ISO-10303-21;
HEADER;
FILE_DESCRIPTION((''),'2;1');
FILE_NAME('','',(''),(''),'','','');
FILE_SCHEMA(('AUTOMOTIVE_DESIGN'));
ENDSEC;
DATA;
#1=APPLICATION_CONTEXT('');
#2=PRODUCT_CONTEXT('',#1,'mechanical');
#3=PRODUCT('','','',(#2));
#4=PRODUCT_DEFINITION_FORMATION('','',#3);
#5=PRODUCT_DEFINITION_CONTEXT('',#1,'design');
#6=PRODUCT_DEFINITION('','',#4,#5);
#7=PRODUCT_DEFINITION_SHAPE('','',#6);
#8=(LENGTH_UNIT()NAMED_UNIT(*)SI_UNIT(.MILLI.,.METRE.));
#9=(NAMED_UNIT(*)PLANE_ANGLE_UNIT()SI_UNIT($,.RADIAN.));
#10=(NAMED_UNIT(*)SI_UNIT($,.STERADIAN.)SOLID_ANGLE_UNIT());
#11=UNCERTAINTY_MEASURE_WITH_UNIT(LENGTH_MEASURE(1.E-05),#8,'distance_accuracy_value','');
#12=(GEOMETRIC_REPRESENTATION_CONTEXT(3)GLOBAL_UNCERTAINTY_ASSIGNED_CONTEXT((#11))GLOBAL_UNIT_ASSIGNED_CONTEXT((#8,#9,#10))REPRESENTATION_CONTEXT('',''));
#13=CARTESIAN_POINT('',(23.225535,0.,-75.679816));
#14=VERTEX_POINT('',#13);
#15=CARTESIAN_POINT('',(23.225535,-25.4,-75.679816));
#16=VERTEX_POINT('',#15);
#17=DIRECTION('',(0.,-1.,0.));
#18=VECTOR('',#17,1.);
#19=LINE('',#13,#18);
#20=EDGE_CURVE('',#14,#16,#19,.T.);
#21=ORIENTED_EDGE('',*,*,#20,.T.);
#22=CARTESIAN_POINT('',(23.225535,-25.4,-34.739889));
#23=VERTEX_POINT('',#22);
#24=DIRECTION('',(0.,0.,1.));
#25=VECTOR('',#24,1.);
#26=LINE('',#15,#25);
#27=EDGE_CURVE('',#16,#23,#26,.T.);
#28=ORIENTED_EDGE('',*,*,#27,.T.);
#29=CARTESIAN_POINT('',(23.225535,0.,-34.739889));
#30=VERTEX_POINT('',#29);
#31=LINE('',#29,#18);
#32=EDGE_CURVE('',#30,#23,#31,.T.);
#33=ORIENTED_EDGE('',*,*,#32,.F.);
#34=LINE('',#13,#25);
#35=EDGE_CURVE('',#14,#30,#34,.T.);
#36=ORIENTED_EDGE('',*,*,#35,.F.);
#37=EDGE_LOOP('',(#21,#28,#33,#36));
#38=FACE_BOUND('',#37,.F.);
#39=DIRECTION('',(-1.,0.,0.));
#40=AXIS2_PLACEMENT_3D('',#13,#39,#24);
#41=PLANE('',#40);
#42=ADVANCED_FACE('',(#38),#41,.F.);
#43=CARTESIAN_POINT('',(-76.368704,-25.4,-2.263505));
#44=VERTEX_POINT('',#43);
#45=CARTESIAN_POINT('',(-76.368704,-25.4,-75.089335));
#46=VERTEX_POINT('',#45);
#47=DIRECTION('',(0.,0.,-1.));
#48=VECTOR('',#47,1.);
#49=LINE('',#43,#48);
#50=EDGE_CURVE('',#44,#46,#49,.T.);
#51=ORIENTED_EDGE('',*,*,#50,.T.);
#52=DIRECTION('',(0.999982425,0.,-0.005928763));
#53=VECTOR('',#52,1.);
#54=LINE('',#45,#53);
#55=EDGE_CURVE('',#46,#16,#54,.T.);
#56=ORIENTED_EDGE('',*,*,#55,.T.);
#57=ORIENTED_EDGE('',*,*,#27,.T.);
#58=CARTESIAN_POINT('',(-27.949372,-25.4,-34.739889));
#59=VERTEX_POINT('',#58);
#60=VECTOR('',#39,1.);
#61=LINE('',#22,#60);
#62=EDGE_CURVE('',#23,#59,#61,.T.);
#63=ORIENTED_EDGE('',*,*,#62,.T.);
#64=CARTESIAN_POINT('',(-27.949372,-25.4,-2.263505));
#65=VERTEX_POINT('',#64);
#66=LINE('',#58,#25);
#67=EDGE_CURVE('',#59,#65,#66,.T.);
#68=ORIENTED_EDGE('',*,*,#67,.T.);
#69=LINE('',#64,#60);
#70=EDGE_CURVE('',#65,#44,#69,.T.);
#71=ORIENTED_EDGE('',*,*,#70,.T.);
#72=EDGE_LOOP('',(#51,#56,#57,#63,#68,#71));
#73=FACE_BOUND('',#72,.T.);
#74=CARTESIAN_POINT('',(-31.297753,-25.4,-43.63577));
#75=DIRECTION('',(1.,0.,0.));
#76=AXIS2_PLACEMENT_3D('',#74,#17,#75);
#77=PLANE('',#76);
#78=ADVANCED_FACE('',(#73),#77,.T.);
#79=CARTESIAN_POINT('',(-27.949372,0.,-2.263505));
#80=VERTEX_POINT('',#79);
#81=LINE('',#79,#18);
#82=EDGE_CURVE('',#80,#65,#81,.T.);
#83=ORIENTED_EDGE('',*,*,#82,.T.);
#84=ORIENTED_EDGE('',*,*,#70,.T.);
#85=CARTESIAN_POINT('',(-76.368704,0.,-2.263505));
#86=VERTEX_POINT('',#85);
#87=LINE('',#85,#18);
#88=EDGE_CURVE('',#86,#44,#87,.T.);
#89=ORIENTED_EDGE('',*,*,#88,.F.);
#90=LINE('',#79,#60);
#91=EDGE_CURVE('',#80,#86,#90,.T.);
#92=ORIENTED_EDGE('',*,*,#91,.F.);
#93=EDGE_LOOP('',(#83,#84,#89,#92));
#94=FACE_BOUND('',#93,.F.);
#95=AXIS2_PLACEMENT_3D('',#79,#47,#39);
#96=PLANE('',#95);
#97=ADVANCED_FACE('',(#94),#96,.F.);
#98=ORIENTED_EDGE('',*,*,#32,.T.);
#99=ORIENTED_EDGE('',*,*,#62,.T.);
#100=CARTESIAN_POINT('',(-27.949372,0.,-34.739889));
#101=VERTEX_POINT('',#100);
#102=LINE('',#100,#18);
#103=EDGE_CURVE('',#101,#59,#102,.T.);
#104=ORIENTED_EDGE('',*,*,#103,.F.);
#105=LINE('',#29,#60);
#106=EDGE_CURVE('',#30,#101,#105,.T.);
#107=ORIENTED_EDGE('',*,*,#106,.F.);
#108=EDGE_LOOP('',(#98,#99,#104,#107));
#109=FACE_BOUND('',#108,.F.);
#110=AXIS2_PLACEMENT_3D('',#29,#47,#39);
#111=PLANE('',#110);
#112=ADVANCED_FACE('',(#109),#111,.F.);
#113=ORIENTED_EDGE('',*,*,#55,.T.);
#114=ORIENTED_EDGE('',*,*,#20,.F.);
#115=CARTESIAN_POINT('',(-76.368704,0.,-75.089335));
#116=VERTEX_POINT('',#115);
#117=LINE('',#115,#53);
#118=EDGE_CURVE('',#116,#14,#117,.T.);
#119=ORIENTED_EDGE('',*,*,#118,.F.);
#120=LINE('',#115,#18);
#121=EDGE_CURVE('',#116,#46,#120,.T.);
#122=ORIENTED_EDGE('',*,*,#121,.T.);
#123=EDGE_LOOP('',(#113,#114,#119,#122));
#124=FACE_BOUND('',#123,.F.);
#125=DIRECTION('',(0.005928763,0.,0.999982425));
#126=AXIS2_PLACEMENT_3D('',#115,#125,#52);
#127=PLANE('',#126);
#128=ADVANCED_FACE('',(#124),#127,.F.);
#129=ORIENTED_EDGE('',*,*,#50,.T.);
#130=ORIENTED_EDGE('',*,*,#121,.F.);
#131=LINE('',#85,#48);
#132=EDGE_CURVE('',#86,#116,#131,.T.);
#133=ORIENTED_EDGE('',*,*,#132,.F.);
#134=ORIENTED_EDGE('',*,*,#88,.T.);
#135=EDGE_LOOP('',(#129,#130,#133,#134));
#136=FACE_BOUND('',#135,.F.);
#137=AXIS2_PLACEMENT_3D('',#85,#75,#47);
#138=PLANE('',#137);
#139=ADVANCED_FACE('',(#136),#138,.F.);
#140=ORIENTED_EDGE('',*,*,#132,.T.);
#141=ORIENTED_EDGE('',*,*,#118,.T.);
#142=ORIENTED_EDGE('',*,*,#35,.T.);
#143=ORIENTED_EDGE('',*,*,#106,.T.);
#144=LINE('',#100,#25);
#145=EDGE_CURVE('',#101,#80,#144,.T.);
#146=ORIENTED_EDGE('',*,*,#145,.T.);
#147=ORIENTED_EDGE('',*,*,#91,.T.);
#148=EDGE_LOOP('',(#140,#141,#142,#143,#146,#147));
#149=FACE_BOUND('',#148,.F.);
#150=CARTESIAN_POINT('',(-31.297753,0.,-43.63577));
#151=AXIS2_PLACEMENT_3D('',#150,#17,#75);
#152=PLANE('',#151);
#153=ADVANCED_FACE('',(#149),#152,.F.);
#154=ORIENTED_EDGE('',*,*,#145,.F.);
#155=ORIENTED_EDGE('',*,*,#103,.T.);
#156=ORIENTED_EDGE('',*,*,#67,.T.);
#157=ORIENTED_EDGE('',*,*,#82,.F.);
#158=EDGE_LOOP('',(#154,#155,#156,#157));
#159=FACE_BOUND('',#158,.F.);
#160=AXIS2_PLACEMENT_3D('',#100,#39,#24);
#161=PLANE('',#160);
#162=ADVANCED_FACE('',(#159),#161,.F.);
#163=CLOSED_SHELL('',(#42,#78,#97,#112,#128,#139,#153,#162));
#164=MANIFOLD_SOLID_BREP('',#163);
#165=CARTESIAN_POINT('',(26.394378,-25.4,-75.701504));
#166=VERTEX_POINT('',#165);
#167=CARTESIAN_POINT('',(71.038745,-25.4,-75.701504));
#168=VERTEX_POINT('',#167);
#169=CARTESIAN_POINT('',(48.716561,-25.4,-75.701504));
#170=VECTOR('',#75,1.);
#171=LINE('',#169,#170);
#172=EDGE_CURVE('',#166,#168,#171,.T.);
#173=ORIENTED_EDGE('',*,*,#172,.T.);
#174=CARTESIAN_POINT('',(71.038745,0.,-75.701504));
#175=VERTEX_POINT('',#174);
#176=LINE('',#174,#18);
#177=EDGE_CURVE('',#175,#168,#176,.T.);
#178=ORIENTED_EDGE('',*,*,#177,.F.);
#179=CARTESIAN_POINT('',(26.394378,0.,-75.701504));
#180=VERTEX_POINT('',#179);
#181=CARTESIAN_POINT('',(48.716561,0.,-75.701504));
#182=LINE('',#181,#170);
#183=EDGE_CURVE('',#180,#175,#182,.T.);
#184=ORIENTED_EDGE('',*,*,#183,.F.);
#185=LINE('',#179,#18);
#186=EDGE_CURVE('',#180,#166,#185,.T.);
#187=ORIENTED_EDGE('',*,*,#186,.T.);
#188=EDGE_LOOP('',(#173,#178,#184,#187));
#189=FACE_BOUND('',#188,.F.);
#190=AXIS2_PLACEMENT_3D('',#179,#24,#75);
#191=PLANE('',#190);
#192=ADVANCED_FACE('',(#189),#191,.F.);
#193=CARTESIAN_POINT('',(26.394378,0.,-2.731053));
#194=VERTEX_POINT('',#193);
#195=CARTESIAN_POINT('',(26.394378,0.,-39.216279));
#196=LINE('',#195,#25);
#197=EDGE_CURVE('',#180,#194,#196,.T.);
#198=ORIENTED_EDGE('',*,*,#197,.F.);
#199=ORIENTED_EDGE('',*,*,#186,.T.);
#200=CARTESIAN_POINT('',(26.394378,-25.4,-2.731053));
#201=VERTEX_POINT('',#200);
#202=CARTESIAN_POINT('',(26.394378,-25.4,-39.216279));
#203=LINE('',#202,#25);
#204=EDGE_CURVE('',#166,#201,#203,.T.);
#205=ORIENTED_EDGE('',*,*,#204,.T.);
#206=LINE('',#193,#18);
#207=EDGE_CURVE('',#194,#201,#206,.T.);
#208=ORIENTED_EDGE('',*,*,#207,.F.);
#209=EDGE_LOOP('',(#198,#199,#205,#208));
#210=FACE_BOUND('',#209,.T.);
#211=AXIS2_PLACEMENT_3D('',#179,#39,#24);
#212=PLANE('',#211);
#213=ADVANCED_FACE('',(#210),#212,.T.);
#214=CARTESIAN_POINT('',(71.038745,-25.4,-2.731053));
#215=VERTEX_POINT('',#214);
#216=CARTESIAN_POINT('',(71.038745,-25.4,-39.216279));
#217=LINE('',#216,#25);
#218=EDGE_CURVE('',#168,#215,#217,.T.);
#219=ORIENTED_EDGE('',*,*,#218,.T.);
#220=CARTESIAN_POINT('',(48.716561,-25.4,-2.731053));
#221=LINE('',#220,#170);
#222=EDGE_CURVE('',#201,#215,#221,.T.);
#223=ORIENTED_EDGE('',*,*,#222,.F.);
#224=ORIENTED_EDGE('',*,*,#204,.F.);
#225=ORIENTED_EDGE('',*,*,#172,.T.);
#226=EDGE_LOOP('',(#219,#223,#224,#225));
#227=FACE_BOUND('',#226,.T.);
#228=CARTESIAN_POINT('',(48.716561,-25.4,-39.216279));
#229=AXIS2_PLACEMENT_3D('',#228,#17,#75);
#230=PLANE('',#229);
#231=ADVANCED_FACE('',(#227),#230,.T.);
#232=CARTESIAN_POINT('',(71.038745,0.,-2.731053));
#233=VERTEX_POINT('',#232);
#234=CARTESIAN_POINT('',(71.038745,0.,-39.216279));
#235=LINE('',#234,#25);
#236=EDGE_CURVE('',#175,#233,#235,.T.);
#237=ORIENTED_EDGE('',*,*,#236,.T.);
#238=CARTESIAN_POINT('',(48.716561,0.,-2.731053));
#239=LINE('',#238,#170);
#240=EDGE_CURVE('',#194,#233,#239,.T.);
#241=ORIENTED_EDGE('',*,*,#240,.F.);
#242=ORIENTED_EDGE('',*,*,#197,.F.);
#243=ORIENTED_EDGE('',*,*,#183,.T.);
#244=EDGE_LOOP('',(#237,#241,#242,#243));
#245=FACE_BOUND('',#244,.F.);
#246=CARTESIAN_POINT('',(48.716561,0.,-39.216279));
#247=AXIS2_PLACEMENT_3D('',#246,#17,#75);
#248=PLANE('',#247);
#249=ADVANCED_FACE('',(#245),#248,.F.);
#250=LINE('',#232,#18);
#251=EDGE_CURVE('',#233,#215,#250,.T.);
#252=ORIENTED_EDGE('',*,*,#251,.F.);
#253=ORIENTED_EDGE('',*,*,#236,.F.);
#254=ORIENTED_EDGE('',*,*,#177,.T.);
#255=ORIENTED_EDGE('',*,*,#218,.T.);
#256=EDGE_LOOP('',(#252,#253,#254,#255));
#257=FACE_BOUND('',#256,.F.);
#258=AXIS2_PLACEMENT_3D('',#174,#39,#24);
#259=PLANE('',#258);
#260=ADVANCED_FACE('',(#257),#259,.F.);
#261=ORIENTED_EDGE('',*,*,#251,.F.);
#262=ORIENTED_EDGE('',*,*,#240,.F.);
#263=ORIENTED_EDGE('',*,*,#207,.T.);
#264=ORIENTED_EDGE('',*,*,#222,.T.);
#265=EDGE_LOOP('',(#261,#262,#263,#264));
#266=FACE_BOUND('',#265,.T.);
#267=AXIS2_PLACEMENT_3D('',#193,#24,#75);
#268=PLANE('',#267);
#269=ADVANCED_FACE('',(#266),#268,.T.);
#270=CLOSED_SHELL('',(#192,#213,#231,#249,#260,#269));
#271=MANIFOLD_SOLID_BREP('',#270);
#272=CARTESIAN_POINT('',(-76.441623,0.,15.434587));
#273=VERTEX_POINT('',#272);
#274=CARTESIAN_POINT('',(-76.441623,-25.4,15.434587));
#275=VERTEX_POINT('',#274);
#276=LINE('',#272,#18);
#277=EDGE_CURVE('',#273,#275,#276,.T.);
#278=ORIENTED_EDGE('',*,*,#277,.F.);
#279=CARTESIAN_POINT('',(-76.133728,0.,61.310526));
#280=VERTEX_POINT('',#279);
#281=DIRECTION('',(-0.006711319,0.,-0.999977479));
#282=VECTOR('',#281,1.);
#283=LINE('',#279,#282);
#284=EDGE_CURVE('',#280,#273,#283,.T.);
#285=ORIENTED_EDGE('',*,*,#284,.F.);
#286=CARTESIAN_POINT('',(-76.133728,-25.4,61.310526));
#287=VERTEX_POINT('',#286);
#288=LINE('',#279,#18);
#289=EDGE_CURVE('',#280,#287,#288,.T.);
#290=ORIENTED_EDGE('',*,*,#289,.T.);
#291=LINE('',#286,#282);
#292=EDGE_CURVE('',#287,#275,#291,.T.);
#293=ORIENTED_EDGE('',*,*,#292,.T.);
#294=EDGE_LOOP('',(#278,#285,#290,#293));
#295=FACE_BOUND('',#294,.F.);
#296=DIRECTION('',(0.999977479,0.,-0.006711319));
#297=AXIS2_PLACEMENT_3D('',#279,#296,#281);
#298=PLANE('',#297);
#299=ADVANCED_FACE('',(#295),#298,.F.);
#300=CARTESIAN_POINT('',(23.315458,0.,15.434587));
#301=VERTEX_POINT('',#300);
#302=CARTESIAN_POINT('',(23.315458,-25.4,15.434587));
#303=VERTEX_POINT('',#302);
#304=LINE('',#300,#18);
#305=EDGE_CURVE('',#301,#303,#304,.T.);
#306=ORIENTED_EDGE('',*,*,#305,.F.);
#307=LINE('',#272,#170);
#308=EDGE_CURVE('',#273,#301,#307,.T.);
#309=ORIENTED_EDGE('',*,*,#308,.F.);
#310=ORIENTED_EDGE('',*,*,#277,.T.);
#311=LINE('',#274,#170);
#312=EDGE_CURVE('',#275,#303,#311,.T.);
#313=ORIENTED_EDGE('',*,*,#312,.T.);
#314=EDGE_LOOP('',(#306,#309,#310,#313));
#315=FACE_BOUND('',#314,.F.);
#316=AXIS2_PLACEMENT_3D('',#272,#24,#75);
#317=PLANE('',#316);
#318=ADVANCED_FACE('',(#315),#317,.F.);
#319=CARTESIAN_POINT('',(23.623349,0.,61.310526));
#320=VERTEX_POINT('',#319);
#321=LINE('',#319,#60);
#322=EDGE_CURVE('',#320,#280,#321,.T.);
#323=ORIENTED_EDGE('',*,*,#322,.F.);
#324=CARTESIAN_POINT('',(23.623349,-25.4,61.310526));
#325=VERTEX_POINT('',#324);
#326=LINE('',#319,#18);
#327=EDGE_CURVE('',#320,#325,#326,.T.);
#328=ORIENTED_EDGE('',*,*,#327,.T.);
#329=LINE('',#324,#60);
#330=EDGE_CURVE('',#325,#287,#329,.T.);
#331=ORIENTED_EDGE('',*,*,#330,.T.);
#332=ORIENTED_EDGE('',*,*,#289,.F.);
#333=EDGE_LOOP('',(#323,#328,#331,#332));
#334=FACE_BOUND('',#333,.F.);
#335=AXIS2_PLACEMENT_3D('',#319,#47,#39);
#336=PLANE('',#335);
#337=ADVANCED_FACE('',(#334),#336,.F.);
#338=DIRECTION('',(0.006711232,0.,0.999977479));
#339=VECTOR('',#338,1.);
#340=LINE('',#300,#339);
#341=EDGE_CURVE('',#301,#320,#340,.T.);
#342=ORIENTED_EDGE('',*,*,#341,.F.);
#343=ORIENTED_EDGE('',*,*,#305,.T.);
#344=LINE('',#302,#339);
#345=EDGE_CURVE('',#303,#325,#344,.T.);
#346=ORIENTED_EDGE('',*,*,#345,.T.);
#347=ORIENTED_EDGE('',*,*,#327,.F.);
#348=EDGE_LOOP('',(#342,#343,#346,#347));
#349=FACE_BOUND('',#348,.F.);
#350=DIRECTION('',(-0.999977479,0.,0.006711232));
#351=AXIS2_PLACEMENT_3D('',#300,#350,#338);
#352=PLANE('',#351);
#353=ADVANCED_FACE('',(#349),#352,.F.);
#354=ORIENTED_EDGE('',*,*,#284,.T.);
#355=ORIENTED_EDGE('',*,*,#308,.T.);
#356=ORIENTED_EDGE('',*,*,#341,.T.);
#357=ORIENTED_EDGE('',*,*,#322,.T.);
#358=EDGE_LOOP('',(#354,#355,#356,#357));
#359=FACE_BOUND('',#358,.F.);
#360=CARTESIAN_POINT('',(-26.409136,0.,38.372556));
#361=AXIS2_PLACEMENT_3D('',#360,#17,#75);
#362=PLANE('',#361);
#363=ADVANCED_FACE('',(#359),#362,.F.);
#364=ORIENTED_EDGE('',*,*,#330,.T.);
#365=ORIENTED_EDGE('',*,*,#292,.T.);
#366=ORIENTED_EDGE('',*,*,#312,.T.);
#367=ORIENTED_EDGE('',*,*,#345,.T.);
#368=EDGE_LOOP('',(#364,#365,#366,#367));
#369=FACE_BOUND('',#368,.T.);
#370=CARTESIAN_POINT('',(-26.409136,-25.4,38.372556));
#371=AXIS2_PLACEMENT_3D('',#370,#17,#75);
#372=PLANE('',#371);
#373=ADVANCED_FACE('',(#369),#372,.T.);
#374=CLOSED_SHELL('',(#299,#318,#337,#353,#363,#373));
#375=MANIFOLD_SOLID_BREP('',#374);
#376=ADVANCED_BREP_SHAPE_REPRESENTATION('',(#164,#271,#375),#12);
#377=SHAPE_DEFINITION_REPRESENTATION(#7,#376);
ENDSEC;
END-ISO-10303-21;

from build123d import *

# Parameters (mm, degrees)
F1_DEPTH = 25.4
F3_DEPTH = 25.4
F4_W     = 44.644367
F4_H     = 72.970451
F5_DEPTH = 25.4


with BuildPart() as f1:
    # F0 (on Front) → F1 (new body)
    with BuildSketch(Plane.XZ):
        Polygon((-27.949372, -2.263505), (-76.368704, -2.263505), (-76.368704, -75.089335), (23.225535, -75.679816), (23.225535, -34.739889), (-27.949372, -34.739889), align=None)
    extrude(amount=F1_DEPTH)


with BuildPart() as f3:
    # F2 (on Front) → F3 (new body)
    with BuildSketch(Plane.XZ):
        Polygon((23.623349, 61.310526), (-76.133728, 61.310526), (-76.441623, 15.434587), (23.315458, 15.434587), align=None)
    extrude(amount=F3_DEPTH)


with BuildPart() as f5:
    # F4 (on Front) → F5 (new body)
    with BuildSketch(Plane.XZ):
        with Locations((48.716561, -39.216279)):
            Rectangle(F4_W, F4_H)
    extrude(amount=F5_DEPTH)


solid = Compound([f1.part, f3.part, f5.part])
